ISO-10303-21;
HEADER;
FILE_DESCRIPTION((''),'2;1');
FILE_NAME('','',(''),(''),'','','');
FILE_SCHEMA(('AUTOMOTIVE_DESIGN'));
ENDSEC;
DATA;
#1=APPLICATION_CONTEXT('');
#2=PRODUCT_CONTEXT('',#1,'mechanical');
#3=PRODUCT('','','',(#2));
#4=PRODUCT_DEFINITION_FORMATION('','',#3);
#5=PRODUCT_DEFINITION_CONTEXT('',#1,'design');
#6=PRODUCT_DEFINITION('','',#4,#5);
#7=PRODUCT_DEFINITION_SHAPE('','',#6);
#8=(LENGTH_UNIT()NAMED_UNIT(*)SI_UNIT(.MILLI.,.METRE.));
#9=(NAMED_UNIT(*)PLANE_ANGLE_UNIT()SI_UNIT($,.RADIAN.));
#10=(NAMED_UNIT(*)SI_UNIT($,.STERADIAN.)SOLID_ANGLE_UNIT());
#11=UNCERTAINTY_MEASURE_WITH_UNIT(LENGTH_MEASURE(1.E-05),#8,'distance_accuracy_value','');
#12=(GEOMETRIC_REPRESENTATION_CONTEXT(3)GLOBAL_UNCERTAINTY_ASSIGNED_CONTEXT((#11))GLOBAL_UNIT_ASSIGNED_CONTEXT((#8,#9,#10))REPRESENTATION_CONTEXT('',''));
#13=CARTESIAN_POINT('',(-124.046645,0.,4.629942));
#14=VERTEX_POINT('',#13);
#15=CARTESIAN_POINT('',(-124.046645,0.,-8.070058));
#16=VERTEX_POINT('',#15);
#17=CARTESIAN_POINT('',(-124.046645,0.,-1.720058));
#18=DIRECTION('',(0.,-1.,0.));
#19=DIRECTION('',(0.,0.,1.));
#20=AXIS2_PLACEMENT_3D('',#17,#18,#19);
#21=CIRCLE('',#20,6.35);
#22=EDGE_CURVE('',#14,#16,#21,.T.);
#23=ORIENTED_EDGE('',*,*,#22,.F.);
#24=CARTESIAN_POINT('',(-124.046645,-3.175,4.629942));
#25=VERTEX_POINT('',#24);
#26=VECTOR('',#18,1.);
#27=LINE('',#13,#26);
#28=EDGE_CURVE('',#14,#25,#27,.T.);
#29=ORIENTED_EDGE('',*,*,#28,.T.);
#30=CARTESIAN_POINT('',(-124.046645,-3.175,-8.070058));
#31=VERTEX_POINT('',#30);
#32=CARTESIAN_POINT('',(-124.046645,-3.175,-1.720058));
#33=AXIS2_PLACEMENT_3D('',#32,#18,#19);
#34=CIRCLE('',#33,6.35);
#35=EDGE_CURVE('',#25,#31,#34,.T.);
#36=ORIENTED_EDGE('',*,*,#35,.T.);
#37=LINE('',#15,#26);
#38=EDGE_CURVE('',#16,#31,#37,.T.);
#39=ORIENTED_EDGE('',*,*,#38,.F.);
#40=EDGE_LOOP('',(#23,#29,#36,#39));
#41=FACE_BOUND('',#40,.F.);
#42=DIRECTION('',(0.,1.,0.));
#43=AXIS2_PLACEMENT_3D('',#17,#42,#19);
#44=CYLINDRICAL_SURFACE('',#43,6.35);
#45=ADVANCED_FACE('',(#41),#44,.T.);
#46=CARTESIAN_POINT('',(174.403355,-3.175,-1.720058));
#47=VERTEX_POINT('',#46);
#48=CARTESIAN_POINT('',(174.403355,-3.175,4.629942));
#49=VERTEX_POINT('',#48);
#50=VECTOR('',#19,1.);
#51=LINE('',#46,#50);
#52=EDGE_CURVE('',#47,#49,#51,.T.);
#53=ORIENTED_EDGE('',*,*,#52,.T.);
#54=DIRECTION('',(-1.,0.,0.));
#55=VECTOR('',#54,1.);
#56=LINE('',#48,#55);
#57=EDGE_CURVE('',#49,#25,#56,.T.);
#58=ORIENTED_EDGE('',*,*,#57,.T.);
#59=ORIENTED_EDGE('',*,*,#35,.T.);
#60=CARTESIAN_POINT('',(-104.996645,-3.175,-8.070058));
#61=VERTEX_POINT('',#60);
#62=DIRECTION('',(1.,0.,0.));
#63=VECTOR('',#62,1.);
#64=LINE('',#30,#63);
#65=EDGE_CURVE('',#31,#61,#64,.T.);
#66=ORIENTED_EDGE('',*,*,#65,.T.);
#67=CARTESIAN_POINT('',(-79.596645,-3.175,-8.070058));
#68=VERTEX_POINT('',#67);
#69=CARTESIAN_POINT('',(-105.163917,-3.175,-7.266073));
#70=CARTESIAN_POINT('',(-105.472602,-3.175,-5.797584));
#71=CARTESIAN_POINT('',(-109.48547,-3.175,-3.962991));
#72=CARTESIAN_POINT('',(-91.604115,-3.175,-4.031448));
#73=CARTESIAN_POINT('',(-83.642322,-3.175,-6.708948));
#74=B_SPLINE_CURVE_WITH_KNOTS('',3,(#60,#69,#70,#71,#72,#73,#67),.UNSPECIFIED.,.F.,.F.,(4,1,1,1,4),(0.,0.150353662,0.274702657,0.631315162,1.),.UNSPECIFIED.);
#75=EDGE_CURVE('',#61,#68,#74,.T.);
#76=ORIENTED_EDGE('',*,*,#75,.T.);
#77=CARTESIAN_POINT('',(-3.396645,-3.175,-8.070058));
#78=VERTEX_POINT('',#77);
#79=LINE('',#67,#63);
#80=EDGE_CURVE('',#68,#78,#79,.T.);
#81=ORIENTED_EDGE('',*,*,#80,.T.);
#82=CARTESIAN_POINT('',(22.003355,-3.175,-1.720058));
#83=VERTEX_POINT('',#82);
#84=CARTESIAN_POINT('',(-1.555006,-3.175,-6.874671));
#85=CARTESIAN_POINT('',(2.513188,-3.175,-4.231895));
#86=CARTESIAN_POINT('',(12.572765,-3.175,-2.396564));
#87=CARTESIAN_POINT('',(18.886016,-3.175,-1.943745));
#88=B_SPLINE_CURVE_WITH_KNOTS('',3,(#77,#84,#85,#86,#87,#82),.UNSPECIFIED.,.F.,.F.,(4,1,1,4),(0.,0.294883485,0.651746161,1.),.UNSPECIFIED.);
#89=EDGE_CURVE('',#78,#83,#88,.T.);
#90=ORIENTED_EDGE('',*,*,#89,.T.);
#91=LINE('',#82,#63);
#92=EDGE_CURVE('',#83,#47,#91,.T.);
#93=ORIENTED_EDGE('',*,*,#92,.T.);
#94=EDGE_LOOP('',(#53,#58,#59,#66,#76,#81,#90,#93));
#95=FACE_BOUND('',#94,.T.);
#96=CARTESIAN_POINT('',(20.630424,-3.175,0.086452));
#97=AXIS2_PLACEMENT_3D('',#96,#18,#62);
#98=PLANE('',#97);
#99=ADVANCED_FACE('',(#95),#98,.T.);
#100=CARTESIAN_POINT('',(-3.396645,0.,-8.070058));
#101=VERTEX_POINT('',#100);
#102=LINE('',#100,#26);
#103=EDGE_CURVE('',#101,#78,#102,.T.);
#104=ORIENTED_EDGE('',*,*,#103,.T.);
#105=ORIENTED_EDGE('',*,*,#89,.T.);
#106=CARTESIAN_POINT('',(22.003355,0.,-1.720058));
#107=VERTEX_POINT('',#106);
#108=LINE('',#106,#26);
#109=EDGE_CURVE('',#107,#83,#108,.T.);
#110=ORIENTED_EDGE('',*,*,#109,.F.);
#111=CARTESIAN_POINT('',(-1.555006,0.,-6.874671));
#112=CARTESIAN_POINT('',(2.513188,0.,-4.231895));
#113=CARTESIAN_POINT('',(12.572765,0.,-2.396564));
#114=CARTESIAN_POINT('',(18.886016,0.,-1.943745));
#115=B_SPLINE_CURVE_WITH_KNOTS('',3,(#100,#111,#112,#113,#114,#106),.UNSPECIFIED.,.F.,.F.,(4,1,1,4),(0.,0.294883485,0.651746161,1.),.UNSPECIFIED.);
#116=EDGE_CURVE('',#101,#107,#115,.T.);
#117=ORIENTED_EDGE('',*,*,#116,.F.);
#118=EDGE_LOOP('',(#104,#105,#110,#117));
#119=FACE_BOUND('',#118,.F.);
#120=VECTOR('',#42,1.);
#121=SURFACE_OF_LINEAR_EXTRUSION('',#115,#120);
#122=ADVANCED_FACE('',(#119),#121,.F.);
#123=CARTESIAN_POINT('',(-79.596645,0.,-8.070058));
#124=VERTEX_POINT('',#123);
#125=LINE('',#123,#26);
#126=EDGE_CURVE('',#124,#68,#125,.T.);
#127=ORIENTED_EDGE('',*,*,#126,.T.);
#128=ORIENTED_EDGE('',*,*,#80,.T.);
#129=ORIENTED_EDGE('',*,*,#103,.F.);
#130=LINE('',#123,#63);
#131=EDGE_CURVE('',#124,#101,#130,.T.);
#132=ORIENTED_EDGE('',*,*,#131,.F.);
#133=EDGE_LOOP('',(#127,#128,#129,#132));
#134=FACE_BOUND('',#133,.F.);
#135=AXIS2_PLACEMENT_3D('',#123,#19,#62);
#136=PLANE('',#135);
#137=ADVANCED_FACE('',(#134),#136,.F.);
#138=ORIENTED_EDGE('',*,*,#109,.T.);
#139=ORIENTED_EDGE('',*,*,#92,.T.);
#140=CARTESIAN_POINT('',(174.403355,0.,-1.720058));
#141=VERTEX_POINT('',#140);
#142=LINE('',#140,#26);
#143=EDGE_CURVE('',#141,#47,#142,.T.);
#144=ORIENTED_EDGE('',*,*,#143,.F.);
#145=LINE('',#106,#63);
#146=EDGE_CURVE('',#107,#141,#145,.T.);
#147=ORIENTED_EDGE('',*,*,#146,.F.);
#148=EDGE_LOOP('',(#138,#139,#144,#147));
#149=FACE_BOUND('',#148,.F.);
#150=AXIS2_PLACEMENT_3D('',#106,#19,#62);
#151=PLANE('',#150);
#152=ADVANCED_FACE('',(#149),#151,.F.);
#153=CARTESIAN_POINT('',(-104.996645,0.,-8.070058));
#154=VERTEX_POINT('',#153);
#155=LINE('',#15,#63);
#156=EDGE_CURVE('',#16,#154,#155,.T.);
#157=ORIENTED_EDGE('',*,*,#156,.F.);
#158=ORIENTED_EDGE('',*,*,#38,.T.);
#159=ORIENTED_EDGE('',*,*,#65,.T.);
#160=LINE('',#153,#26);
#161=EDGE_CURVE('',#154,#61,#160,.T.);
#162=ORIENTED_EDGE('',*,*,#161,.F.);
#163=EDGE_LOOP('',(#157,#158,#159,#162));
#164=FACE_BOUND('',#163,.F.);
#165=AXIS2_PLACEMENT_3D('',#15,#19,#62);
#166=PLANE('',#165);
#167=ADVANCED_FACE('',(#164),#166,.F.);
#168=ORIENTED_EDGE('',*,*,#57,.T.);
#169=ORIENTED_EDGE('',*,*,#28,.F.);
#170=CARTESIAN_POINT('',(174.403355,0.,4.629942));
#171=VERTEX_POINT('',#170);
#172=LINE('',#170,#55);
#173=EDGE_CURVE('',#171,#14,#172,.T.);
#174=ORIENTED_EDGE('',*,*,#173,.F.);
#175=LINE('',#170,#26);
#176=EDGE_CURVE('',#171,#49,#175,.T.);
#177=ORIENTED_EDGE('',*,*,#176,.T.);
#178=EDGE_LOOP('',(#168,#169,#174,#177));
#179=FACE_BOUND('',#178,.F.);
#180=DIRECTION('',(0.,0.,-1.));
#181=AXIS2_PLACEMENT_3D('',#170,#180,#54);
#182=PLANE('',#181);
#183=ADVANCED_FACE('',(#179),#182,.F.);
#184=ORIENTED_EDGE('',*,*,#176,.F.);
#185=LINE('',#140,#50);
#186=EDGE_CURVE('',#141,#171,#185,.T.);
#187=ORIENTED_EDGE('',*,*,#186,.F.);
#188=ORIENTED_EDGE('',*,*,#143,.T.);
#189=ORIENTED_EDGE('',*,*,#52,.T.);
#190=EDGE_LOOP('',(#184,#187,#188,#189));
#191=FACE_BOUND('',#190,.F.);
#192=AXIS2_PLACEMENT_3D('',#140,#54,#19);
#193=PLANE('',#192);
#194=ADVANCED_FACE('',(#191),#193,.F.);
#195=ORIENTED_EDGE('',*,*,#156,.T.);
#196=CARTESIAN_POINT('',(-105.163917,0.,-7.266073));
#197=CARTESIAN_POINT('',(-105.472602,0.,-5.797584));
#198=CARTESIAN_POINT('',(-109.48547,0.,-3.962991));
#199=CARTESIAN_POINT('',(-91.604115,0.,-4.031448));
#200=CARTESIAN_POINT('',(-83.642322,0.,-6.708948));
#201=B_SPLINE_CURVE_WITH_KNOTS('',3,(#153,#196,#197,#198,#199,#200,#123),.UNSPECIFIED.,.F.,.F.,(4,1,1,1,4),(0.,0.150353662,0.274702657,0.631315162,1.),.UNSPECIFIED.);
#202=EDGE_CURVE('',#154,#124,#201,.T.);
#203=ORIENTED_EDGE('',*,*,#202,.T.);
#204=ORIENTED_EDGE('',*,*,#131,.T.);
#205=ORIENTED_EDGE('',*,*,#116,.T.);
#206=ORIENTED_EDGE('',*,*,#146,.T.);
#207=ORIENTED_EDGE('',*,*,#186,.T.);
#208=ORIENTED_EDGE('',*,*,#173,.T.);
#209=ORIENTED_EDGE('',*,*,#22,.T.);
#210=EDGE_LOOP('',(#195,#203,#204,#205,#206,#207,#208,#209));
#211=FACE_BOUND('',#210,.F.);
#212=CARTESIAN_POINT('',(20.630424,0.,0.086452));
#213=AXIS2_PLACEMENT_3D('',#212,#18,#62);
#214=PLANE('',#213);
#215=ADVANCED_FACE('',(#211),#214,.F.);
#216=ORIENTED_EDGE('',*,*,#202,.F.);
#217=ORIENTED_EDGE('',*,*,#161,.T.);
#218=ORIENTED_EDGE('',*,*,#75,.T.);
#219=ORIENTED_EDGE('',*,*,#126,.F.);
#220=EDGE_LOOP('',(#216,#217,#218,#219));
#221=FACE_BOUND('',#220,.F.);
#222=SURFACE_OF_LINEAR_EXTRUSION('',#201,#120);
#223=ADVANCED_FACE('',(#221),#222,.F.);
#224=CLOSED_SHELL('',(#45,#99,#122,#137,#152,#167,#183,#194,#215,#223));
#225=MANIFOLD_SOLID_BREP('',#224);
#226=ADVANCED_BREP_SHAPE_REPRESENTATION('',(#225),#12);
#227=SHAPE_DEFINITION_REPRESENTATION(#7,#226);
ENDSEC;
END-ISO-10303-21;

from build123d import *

# Parameters (mm, degrees)
F1_DEPTH = 3.175


with BuildPart() as f1:
    # F0 (on Front) → F1 (new body)
    with BuildSketch(Plane.XZ):
        with BuildLine():
            ThreePointArc((-124.0466453115, 4.6299422654), (-130.3966453115, -1.7200577346), (-124.0466453115, -8.0700577346))
            Line((-124.0466453115, -8.0700577346), (-104.9966453115, -8.0700577346))
            add(Edge.make_bspline(
                [(-104.9966453115, -8.0700577346), (-105.1639170277, -7.2660732846), (-105.4726019909, -5.7975840455), (-109.4854702435, -3.9629912716), (-91.6041154549, -4.0314484321), (-83.6423224258, -6.7089477629), (-79.5966453115, -8.0700577346)],
                knots=[0, 0, 0, 0, 0.1503536624, 0.2747026573, 0.6313151624, 1, 1, 1, 1], degree=3))
            Line((-79.5966453115, -8.0700577346), (-3.3966453115, -8.0700577346))
            add(Edge.make_bspline(
                [(-3.3966453115, -8.0700577346), (-1.5550055277, -6.8746711067), (2.5131882277, -4.2318946589), (12.5727652724, -2.3965636923), (18.8860163738, -1.9437447184), (22.0033546885, -1.7200577346)],
                knots=[0, 0, 0, 0, 0.2948834849, 0.6517461609, 1, 1, 1, 1], degree=3))
            Line((22.0033546885, -1.7200577346), (174.4033546885, -1.7200577346))
            Line((174.4033546885, -1.7200577346), (174.4033546885, 4.6299422654))
            Line((174.4033546885, 4.6299422654), (-124.0466453115, 4.6299422654))
        make_face()
    extrude(amount=F1_DEPTH)


solid = f1.part
